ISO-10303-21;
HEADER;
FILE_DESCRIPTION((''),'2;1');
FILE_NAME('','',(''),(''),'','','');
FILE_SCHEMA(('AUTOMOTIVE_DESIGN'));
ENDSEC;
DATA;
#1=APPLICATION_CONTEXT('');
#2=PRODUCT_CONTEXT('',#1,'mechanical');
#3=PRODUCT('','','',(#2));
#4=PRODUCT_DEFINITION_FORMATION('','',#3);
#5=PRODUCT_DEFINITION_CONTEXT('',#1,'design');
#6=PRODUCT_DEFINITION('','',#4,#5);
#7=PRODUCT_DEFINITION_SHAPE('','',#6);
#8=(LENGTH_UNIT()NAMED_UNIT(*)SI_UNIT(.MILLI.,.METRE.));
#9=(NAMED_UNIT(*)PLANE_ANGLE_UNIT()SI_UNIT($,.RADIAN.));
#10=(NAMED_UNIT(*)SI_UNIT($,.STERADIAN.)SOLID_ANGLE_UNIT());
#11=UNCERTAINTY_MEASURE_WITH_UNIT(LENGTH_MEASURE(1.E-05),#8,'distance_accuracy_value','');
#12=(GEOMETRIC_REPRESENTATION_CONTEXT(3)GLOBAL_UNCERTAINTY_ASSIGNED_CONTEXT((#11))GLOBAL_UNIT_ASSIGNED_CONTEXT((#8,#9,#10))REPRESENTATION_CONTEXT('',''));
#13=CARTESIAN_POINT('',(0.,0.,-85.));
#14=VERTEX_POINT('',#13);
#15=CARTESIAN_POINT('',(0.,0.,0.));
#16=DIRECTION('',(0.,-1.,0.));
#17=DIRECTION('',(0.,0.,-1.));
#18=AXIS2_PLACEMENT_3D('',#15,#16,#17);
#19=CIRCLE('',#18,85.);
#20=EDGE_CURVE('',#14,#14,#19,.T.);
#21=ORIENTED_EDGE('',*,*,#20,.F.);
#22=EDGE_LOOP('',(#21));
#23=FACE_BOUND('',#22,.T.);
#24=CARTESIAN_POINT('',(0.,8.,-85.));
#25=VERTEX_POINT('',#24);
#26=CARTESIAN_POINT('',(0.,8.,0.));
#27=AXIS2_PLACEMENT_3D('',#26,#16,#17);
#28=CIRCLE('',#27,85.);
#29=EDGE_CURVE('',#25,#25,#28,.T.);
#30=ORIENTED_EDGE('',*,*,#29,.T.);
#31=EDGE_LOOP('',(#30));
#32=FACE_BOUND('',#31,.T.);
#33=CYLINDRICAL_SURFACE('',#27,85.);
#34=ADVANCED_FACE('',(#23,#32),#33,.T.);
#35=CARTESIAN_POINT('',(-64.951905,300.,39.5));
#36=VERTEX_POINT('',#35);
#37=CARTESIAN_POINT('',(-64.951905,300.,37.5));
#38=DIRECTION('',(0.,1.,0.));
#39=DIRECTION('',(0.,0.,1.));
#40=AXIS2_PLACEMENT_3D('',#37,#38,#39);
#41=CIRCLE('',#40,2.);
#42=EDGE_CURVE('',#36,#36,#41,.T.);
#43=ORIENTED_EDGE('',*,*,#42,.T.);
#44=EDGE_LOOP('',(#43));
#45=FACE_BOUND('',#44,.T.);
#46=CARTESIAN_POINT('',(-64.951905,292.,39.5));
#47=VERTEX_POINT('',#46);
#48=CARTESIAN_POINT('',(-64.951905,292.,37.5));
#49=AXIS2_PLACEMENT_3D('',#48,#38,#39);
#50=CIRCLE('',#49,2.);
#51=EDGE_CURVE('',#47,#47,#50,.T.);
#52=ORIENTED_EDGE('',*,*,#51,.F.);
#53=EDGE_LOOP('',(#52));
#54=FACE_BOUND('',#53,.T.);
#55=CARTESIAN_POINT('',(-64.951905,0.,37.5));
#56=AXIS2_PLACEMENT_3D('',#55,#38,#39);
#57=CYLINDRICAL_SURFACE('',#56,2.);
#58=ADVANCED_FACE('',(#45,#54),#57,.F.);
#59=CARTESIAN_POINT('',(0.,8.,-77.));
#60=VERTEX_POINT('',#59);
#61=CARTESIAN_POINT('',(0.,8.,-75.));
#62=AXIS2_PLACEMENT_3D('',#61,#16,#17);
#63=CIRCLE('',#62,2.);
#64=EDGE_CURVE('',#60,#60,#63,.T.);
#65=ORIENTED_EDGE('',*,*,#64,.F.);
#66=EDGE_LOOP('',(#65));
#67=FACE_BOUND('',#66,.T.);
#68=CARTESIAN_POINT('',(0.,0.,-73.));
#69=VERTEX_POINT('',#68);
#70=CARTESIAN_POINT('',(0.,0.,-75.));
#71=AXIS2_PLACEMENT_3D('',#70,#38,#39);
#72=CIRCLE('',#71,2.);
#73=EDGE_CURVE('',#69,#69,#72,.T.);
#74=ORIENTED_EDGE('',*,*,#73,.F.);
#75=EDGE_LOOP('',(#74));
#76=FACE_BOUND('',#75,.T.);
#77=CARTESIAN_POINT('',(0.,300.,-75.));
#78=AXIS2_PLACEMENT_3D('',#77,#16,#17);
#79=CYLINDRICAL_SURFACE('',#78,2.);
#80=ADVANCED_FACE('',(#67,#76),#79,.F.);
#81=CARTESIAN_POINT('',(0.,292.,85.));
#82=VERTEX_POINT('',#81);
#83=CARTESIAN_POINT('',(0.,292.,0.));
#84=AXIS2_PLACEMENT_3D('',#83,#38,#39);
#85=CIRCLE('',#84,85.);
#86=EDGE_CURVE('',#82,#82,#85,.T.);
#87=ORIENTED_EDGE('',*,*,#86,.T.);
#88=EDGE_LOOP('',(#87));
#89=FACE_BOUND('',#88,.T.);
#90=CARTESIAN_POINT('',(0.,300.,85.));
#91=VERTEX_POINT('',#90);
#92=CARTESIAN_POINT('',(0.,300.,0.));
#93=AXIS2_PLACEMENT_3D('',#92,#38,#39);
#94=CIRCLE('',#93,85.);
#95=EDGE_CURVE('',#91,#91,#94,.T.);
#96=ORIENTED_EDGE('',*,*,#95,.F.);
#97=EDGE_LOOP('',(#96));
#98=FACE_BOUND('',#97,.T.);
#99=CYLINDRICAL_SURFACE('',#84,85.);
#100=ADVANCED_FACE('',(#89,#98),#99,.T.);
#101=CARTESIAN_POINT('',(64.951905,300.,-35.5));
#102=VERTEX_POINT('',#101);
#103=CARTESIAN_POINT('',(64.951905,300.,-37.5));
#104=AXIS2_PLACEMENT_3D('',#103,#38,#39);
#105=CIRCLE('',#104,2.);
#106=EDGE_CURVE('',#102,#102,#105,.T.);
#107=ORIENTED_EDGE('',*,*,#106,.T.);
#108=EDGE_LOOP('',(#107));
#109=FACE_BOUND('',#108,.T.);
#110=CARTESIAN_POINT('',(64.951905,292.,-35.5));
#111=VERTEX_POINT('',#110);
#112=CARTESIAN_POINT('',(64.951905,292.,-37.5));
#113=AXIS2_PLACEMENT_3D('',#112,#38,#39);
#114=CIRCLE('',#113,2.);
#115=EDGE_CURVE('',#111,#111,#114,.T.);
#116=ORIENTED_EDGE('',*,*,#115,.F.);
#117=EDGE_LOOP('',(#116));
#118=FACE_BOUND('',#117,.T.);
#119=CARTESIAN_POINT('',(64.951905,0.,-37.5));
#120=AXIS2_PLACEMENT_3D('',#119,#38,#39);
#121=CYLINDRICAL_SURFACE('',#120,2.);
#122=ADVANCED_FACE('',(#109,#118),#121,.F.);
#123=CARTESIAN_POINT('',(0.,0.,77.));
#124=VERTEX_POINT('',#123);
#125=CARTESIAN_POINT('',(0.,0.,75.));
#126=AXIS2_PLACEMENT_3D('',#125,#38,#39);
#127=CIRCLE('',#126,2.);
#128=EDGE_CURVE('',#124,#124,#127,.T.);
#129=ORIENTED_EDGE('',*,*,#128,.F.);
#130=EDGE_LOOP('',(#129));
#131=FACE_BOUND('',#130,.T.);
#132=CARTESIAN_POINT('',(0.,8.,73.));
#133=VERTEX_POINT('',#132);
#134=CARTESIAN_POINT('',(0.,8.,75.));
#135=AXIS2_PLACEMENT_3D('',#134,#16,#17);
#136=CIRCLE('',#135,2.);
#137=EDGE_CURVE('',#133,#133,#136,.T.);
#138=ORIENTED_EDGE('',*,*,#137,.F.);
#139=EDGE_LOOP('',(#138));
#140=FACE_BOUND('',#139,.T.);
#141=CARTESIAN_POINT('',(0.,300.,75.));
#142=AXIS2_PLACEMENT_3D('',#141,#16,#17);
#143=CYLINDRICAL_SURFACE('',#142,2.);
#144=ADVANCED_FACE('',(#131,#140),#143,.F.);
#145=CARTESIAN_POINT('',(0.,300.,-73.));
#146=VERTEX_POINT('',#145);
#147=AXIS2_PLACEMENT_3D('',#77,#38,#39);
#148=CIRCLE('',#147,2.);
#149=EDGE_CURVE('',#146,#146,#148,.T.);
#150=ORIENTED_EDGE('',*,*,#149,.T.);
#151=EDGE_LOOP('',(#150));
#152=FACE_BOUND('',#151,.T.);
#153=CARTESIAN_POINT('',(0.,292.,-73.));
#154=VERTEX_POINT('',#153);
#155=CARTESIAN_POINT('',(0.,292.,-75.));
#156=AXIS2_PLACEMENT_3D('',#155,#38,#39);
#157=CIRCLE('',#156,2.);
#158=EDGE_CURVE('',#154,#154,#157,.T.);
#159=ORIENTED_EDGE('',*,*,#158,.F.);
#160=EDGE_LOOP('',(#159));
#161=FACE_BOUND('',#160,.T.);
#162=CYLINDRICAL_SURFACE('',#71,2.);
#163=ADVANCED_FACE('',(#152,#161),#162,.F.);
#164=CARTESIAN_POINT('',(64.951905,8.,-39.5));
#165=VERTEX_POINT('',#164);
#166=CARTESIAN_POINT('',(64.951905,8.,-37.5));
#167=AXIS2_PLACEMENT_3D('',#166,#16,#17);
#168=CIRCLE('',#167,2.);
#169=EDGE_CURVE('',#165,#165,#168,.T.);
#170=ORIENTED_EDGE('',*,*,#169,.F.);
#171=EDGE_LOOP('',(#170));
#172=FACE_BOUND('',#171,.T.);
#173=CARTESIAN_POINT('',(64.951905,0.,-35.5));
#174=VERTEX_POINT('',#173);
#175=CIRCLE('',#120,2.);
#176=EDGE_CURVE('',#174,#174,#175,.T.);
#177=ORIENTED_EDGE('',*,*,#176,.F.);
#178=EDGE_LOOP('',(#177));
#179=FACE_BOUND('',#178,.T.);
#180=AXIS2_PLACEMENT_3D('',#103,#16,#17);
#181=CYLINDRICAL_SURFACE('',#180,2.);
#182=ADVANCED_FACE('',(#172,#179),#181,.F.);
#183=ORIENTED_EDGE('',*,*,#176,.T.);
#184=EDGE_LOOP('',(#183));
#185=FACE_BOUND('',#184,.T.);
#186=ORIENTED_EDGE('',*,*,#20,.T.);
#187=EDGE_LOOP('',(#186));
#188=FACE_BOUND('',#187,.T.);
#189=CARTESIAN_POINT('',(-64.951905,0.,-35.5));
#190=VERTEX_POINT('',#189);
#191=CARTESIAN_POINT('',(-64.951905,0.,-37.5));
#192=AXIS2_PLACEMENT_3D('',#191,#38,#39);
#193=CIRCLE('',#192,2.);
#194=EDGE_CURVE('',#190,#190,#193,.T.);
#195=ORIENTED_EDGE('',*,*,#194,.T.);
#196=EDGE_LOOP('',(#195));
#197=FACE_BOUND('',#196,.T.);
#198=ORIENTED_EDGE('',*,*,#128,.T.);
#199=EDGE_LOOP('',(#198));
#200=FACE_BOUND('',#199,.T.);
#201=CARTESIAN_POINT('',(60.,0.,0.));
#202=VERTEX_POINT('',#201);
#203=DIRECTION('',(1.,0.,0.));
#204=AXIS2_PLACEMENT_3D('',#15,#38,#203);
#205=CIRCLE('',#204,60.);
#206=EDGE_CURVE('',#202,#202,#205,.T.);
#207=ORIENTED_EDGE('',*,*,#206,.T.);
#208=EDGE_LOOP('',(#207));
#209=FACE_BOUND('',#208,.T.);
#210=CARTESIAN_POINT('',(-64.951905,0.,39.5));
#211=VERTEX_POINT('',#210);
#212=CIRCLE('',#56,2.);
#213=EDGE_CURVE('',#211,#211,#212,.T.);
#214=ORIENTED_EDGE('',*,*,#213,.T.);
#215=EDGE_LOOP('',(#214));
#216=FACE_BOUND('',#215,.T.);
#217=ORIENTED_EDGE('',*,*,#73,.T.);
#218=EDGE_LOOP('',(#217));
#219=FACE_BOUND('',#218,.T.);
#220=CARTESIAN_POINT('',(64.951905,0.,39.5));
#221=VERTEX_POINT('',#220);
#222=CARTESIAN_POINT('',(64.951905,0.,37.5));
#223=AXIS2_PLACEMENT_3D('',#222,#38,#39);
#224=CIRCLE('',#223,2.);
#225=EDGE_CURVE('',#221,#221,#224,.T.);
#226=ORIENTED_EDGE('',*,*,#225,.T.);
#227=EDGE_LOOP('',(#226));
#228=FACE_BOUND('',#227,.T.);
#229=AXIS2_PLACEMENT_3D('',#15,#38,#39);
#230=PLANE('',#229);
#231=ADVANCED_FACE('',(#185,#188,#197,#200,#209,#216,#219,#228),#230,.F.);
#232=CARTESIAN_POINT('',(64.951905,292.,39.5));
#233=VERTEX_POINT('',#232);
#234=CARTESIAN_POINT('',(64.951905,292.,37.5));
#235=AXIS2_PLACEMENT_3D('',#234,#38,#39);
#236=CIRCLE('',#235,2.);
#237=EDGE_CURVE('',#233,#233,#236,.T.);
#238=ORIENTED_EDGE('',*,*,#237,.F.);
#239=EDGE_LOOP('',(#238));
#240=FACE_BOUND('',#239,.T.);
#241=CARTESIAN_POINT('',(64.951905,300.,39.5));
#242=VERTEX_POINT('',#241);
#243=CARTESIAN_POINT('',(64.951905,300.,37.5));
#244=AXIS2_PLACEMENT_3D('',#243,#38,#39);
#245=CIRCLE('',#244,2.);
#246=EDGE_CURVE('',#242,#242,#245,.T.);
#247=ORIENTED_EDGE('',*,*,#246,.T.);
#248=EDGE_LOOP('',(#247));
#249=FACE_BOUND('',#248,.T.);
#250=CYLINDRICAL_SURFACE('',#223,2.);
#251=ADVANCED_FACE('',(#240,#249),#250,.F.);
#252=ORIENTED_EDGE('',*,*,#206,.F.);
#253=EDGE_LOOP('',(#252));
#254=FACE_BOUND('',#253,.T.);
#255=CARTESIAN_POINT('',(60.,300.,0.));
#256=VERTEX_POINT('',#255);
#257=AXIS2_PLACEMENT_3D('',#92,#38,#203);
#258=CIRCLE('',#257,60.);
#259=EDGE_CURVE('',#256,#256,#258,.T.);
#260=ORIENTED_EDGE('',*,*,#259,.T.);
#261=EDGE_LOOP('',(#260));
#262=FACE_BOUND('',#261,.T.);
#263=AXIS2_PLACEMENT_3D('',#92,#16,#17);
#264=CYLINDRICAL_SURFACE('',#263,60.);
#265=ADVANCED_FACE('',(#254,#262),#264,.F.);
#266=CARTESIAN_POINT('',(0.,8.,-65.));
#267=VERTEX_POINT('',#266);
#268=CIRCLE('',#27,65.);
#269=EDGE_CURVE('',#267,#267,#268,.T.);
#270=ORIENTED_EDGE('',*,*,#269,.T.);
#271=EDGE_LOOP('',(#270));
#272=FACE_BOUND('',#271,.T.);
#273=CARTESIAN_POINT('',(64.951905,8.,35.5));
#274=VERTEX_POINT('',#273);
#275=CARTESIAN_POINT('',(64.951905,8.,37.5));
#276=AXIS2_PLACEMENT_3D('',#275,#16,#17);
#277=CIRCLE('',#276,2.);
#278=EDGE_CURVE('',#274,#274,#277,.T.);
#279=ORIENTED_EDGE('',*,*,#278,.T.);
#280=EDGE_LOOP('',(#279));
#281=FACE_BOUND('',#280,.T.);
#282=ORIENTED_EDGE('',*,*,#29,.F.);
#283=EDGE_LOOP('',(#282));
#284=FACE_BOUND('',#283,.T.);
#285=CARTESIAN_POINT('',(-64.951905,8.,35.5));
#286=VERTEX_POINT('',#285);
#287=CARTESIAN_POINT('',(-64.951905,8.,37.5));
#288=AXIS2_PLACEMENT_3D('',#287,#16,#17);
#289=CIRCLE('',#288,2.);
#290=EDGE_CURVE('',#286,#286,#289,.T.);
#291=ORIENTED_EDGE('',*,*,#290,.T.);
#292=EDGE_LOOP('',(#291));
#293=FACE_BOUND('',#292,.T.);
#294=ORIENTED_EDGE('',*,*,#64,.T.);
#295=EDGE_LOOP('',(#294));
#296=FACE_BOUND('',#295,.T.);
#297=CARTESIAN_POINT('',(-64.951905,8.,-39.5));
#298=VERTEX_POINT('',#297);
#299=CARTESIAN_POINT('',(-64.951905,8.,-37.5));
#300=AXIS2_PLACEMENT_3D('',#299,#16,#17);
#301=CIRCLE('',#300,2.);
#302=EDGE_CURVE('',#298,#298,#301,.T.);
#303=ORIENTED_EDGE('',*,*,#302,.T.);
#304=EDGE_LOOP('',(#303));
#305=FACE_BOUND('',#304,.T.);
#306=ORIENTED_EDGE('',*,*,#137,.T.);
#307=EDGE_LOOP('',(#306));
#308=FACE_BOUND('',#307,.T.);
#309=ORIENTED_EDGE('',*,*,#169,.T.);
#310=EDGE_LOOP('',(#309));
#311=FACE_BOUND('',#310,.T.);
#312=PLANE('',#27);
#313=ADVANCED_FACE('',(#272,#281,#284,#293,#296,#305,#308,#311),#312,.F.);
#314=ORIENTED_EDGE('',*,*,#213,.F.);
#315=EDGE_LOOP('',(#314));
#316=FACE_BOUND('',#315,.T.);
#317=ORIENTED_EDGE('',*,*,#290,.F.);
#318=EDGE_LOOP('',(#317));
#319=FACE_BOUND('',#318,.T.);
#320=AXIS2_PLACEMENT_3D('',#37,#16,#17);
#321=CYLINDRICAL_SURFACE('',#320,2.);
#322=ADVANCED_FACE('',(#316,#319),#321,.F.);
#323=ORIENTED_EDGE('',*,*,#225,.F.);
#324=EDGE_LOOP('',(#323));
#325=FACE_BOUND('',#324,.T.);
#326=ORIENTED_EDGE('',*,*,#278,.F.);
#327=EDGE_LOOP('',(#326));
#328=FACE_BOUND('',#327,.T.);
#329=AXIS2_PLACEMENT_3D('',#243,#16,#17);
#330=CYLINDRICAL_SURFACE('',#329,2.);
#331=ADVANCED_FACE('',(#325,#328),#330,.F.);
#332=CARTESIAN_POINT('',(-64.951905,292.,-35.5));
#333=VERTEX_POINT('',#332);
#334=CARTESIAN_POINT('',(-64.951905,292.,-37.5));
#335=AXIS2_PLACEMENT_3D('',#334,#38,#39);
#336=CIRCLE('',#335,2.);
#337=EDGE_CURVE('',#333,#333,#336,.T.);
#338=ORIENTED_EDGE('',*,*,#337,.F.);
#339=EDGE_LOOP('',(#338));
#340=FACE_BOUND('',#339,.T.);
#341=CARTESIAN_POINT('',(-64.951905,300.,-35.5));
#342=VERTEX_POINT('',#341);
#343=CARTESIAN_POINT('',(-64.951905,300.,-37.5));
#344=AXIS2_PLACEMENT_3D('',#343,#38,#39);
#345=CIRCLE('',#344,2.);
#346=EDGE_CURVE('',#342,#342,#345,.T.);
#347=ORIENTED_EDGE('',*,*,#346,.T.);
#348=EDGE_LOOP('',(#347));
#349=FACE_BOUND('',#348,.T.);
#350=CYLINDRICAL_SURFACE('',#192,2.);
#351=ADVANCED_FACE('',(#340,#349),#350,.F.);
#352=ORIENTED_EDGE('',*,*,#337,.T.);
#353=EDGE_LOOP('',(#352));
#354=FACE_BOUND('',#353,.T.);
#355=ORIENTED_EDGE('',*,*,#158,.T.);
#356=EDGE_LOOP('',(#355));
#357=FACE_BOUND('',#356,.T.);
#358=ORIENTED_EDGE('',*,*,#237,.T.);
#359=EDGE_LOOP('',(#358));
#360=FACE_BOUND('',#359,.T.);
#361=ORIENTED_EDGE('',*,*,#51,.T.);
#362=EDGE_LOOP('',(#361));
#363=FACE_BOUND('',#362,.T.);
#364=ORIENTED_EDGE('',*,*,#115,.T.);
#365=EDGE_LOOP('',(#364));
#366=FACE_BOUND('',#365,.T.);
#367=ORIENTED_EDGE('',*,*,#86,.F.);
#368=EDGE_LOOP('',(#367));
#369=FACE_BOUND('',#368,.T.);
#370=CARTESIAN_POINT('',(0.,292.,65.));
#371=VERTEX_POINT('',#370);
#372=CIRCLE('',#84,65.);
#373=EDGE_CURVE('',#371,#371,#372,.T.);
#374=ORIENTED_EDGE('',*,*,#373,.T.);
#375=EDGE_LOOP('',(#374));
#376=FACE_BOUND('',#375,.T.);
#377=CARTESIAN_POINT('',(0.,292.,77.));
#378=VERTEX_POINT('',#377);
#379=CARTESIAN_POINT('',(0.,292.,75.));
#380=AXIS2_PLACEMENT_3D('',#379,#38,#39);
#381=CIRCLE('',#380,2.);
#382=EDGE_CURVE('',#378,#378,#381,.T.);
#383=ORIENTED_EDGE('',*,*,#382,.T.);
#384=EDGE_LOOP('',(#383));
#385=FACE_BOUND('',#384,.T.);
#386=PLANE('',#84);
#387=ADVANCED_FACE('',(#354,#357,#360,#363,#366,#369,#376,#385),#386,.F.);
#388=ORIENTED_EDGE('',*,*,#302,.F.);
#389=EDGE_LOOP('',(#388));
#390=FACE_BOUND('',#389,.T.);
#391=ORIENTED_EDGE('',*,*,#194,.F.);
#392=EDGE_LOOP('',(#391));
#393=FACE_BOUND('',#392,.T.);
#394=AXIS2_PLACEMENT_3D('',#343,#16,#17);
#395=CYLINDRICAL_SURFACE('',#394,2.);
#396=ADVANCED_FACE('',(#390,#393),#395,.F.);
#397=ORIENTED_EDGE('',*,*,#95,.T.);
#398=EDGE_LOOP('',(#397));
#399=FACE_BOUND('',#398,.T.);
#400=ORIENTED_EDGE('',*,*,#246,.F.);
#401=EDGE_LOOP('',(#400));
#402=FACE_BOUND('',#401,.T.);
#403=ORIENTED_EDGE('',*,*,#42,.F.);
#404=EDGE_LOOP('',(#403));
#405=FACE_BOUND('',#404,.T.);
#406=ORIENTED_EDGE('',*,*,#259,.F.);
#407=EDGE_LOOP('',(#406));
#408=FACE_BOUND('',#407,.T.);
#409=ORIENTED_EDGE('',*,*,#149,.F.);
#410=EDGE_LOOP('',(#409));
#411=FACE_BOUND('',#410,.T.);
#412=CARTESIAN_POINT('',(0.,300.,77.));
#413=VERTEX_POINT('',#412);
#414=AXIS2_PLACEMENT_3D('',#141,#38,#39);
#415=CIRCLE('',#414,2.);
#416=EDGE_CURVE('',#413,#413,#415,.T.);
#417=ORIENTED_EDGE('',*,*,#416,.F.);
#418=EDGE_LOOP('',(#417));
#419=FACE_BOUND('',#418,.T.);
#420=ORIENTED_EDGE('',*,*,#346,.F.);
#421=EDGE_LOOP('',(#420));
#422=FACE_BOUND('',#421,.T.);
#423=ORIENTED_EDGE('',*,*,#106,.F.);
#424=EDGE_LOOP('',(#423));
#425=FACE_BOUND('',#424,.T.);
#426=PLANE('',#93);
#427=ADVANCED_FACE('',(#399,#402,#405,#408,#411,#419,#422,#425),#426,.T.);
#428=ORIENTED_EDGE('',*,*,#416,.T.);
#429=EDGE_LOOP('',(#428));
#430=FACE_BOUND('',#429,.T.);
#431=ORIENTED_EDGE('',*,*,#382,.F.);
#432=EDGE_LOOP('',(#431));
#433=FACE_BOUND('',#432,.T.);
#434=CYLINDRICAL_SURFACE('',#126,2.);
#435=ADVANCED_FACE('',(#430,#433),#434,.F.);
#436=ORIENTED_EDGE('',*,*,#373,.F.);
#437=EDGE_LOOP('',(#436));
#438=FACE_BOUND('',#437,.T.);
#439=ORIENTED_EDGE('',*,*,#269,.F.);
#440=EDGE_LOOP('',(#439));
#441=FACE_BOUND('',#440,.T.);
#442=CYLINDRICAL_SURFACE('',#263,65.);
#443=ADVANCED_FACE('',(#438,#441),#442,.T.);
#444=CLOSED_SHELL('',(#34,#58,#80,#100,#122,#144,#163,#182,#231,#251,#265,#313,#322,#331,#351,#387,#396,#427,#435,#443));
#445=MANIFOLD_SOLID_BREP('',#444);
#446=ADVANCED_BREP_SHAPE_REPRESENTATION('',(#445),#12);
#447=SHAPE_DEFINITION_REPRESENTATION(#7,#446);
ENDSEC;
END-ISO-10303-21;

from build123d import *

# Parameters (mm, degrees)
SKETCH_1_R               = 65
SKETCH_1_R_2             = 60
EXTRUDE_1_DEPTH          = 300
SKETCH_2_R               = 85
SKETCH_2_R_2             = 65
EXTRUDE_1_2_DEPTH        = 8
SKETCH_3_R               = 2
CUT_EXTRUDE_1_DEPTH      = 301
SKETCH_4_R               = 85
SKETCH_4_R_2             = 65
EXTRUDE_2_DEPTH          = 8
SKETCH_5_R               = 2
CUT_EXTRUDE_2_DEPTH      = 1
CUT_EXTRUDE_2_DEPTH_BACK = 301


with BuildPart() as part:
    # 草图1 → Extrude 1 (new body)
    with BuildSketch(Plane(origin=(0, 0, 0), x_dir=(1, 0, 0), z_dir=(0, 1, 0))):
        Circle(SKETCH_1_R)
        Circle(SKETCH_1_R_2, mode=Mode.SUBTRACT)
    extrude(amount=EXTRUDE_1_DEPTH)

    # 草图2 → Extrude 1 2 (add)
    with BuildSketch(Plane(origin=(0, 300, 0), x_dir=(1, 0, 0), z_dir=(0, 1, 0))):
        Circle(SKETCH_2_R)
        Circle(SKETCH_2_R_2, mode=Mode.SUBTRACT)
    extrude(amount=-EXTRUDE_1_2_DEPTH)

    # 草图3 → 切除-拉伸1 (cut, through all)
    with BuildSketch(Plane(origin=(0, 300, 0), x_dir=(1, 0, 0), z_dir=(0, 1, 0))):
        with Locations((0, 75)):
            Circle(SKETCH_3_R)
        with Locations((64.951905284, 37.5)):
            Circle(SKETCH_3_R)
        with Locations((64.951905284, -37.5)):
            Circle(SKETCH_3_R)
        with Locations((0, -75)):
            Circle(SKETCH_3_R)
        with Locations((-64.951905284, -37.5)):
            Circle(SKETCH_3_R)
        with Locations((-64.951905284, 37.5)):
            Circle(SKETCH_3_R)
    extrude(amount=-CUT_EXTRUDE_1_DEPTH, mode=Mode.SUBTRACT)

    # 草图4 → 凸台-拉伸2 (add)
    with BuildSketch(Plane.XZ):
        Circle(SKETCH_4_R)
        Circle(SKETCH_4_R_2, mode=Mode.SUBTRACT)
    extrude(amount=-EXTRUDE_2_DEPTH)

    # 草图5 → 切除-拉伸2 (cut, two sides)
    with BuildSketch(Plane.XZ) as cut_extrude_2_sk:
        with Locations((0, 75)):
            Circle(SKETCH_5_R)
        with Locations((64.951905284, 37.5)):
            Circle(SKETCH_5_R)
        with Locations((64.951905284, -37.5)):
            Circle(SKETCH_5_R)
        with Locations((0, -75)):
            Circle(SKETCH_5_R)
        with Locations((-64.951905284, -37.5)):
            Circle(SKETCH_5_R)
        with Locations((-64.951905284, 37.5)):
            Circle(SKETCH_5_R)
    extrude(amount=CUT_EXTRUDE_2_DEPTH, mode=Mode.SUBTRACT)
    extrude(cut_extrude_2_sk.sketch, amount=-CUT_EXTRUDE_2_DEPTH_BACK, mode=Mode.SUBTRACT)


solid = part.part
